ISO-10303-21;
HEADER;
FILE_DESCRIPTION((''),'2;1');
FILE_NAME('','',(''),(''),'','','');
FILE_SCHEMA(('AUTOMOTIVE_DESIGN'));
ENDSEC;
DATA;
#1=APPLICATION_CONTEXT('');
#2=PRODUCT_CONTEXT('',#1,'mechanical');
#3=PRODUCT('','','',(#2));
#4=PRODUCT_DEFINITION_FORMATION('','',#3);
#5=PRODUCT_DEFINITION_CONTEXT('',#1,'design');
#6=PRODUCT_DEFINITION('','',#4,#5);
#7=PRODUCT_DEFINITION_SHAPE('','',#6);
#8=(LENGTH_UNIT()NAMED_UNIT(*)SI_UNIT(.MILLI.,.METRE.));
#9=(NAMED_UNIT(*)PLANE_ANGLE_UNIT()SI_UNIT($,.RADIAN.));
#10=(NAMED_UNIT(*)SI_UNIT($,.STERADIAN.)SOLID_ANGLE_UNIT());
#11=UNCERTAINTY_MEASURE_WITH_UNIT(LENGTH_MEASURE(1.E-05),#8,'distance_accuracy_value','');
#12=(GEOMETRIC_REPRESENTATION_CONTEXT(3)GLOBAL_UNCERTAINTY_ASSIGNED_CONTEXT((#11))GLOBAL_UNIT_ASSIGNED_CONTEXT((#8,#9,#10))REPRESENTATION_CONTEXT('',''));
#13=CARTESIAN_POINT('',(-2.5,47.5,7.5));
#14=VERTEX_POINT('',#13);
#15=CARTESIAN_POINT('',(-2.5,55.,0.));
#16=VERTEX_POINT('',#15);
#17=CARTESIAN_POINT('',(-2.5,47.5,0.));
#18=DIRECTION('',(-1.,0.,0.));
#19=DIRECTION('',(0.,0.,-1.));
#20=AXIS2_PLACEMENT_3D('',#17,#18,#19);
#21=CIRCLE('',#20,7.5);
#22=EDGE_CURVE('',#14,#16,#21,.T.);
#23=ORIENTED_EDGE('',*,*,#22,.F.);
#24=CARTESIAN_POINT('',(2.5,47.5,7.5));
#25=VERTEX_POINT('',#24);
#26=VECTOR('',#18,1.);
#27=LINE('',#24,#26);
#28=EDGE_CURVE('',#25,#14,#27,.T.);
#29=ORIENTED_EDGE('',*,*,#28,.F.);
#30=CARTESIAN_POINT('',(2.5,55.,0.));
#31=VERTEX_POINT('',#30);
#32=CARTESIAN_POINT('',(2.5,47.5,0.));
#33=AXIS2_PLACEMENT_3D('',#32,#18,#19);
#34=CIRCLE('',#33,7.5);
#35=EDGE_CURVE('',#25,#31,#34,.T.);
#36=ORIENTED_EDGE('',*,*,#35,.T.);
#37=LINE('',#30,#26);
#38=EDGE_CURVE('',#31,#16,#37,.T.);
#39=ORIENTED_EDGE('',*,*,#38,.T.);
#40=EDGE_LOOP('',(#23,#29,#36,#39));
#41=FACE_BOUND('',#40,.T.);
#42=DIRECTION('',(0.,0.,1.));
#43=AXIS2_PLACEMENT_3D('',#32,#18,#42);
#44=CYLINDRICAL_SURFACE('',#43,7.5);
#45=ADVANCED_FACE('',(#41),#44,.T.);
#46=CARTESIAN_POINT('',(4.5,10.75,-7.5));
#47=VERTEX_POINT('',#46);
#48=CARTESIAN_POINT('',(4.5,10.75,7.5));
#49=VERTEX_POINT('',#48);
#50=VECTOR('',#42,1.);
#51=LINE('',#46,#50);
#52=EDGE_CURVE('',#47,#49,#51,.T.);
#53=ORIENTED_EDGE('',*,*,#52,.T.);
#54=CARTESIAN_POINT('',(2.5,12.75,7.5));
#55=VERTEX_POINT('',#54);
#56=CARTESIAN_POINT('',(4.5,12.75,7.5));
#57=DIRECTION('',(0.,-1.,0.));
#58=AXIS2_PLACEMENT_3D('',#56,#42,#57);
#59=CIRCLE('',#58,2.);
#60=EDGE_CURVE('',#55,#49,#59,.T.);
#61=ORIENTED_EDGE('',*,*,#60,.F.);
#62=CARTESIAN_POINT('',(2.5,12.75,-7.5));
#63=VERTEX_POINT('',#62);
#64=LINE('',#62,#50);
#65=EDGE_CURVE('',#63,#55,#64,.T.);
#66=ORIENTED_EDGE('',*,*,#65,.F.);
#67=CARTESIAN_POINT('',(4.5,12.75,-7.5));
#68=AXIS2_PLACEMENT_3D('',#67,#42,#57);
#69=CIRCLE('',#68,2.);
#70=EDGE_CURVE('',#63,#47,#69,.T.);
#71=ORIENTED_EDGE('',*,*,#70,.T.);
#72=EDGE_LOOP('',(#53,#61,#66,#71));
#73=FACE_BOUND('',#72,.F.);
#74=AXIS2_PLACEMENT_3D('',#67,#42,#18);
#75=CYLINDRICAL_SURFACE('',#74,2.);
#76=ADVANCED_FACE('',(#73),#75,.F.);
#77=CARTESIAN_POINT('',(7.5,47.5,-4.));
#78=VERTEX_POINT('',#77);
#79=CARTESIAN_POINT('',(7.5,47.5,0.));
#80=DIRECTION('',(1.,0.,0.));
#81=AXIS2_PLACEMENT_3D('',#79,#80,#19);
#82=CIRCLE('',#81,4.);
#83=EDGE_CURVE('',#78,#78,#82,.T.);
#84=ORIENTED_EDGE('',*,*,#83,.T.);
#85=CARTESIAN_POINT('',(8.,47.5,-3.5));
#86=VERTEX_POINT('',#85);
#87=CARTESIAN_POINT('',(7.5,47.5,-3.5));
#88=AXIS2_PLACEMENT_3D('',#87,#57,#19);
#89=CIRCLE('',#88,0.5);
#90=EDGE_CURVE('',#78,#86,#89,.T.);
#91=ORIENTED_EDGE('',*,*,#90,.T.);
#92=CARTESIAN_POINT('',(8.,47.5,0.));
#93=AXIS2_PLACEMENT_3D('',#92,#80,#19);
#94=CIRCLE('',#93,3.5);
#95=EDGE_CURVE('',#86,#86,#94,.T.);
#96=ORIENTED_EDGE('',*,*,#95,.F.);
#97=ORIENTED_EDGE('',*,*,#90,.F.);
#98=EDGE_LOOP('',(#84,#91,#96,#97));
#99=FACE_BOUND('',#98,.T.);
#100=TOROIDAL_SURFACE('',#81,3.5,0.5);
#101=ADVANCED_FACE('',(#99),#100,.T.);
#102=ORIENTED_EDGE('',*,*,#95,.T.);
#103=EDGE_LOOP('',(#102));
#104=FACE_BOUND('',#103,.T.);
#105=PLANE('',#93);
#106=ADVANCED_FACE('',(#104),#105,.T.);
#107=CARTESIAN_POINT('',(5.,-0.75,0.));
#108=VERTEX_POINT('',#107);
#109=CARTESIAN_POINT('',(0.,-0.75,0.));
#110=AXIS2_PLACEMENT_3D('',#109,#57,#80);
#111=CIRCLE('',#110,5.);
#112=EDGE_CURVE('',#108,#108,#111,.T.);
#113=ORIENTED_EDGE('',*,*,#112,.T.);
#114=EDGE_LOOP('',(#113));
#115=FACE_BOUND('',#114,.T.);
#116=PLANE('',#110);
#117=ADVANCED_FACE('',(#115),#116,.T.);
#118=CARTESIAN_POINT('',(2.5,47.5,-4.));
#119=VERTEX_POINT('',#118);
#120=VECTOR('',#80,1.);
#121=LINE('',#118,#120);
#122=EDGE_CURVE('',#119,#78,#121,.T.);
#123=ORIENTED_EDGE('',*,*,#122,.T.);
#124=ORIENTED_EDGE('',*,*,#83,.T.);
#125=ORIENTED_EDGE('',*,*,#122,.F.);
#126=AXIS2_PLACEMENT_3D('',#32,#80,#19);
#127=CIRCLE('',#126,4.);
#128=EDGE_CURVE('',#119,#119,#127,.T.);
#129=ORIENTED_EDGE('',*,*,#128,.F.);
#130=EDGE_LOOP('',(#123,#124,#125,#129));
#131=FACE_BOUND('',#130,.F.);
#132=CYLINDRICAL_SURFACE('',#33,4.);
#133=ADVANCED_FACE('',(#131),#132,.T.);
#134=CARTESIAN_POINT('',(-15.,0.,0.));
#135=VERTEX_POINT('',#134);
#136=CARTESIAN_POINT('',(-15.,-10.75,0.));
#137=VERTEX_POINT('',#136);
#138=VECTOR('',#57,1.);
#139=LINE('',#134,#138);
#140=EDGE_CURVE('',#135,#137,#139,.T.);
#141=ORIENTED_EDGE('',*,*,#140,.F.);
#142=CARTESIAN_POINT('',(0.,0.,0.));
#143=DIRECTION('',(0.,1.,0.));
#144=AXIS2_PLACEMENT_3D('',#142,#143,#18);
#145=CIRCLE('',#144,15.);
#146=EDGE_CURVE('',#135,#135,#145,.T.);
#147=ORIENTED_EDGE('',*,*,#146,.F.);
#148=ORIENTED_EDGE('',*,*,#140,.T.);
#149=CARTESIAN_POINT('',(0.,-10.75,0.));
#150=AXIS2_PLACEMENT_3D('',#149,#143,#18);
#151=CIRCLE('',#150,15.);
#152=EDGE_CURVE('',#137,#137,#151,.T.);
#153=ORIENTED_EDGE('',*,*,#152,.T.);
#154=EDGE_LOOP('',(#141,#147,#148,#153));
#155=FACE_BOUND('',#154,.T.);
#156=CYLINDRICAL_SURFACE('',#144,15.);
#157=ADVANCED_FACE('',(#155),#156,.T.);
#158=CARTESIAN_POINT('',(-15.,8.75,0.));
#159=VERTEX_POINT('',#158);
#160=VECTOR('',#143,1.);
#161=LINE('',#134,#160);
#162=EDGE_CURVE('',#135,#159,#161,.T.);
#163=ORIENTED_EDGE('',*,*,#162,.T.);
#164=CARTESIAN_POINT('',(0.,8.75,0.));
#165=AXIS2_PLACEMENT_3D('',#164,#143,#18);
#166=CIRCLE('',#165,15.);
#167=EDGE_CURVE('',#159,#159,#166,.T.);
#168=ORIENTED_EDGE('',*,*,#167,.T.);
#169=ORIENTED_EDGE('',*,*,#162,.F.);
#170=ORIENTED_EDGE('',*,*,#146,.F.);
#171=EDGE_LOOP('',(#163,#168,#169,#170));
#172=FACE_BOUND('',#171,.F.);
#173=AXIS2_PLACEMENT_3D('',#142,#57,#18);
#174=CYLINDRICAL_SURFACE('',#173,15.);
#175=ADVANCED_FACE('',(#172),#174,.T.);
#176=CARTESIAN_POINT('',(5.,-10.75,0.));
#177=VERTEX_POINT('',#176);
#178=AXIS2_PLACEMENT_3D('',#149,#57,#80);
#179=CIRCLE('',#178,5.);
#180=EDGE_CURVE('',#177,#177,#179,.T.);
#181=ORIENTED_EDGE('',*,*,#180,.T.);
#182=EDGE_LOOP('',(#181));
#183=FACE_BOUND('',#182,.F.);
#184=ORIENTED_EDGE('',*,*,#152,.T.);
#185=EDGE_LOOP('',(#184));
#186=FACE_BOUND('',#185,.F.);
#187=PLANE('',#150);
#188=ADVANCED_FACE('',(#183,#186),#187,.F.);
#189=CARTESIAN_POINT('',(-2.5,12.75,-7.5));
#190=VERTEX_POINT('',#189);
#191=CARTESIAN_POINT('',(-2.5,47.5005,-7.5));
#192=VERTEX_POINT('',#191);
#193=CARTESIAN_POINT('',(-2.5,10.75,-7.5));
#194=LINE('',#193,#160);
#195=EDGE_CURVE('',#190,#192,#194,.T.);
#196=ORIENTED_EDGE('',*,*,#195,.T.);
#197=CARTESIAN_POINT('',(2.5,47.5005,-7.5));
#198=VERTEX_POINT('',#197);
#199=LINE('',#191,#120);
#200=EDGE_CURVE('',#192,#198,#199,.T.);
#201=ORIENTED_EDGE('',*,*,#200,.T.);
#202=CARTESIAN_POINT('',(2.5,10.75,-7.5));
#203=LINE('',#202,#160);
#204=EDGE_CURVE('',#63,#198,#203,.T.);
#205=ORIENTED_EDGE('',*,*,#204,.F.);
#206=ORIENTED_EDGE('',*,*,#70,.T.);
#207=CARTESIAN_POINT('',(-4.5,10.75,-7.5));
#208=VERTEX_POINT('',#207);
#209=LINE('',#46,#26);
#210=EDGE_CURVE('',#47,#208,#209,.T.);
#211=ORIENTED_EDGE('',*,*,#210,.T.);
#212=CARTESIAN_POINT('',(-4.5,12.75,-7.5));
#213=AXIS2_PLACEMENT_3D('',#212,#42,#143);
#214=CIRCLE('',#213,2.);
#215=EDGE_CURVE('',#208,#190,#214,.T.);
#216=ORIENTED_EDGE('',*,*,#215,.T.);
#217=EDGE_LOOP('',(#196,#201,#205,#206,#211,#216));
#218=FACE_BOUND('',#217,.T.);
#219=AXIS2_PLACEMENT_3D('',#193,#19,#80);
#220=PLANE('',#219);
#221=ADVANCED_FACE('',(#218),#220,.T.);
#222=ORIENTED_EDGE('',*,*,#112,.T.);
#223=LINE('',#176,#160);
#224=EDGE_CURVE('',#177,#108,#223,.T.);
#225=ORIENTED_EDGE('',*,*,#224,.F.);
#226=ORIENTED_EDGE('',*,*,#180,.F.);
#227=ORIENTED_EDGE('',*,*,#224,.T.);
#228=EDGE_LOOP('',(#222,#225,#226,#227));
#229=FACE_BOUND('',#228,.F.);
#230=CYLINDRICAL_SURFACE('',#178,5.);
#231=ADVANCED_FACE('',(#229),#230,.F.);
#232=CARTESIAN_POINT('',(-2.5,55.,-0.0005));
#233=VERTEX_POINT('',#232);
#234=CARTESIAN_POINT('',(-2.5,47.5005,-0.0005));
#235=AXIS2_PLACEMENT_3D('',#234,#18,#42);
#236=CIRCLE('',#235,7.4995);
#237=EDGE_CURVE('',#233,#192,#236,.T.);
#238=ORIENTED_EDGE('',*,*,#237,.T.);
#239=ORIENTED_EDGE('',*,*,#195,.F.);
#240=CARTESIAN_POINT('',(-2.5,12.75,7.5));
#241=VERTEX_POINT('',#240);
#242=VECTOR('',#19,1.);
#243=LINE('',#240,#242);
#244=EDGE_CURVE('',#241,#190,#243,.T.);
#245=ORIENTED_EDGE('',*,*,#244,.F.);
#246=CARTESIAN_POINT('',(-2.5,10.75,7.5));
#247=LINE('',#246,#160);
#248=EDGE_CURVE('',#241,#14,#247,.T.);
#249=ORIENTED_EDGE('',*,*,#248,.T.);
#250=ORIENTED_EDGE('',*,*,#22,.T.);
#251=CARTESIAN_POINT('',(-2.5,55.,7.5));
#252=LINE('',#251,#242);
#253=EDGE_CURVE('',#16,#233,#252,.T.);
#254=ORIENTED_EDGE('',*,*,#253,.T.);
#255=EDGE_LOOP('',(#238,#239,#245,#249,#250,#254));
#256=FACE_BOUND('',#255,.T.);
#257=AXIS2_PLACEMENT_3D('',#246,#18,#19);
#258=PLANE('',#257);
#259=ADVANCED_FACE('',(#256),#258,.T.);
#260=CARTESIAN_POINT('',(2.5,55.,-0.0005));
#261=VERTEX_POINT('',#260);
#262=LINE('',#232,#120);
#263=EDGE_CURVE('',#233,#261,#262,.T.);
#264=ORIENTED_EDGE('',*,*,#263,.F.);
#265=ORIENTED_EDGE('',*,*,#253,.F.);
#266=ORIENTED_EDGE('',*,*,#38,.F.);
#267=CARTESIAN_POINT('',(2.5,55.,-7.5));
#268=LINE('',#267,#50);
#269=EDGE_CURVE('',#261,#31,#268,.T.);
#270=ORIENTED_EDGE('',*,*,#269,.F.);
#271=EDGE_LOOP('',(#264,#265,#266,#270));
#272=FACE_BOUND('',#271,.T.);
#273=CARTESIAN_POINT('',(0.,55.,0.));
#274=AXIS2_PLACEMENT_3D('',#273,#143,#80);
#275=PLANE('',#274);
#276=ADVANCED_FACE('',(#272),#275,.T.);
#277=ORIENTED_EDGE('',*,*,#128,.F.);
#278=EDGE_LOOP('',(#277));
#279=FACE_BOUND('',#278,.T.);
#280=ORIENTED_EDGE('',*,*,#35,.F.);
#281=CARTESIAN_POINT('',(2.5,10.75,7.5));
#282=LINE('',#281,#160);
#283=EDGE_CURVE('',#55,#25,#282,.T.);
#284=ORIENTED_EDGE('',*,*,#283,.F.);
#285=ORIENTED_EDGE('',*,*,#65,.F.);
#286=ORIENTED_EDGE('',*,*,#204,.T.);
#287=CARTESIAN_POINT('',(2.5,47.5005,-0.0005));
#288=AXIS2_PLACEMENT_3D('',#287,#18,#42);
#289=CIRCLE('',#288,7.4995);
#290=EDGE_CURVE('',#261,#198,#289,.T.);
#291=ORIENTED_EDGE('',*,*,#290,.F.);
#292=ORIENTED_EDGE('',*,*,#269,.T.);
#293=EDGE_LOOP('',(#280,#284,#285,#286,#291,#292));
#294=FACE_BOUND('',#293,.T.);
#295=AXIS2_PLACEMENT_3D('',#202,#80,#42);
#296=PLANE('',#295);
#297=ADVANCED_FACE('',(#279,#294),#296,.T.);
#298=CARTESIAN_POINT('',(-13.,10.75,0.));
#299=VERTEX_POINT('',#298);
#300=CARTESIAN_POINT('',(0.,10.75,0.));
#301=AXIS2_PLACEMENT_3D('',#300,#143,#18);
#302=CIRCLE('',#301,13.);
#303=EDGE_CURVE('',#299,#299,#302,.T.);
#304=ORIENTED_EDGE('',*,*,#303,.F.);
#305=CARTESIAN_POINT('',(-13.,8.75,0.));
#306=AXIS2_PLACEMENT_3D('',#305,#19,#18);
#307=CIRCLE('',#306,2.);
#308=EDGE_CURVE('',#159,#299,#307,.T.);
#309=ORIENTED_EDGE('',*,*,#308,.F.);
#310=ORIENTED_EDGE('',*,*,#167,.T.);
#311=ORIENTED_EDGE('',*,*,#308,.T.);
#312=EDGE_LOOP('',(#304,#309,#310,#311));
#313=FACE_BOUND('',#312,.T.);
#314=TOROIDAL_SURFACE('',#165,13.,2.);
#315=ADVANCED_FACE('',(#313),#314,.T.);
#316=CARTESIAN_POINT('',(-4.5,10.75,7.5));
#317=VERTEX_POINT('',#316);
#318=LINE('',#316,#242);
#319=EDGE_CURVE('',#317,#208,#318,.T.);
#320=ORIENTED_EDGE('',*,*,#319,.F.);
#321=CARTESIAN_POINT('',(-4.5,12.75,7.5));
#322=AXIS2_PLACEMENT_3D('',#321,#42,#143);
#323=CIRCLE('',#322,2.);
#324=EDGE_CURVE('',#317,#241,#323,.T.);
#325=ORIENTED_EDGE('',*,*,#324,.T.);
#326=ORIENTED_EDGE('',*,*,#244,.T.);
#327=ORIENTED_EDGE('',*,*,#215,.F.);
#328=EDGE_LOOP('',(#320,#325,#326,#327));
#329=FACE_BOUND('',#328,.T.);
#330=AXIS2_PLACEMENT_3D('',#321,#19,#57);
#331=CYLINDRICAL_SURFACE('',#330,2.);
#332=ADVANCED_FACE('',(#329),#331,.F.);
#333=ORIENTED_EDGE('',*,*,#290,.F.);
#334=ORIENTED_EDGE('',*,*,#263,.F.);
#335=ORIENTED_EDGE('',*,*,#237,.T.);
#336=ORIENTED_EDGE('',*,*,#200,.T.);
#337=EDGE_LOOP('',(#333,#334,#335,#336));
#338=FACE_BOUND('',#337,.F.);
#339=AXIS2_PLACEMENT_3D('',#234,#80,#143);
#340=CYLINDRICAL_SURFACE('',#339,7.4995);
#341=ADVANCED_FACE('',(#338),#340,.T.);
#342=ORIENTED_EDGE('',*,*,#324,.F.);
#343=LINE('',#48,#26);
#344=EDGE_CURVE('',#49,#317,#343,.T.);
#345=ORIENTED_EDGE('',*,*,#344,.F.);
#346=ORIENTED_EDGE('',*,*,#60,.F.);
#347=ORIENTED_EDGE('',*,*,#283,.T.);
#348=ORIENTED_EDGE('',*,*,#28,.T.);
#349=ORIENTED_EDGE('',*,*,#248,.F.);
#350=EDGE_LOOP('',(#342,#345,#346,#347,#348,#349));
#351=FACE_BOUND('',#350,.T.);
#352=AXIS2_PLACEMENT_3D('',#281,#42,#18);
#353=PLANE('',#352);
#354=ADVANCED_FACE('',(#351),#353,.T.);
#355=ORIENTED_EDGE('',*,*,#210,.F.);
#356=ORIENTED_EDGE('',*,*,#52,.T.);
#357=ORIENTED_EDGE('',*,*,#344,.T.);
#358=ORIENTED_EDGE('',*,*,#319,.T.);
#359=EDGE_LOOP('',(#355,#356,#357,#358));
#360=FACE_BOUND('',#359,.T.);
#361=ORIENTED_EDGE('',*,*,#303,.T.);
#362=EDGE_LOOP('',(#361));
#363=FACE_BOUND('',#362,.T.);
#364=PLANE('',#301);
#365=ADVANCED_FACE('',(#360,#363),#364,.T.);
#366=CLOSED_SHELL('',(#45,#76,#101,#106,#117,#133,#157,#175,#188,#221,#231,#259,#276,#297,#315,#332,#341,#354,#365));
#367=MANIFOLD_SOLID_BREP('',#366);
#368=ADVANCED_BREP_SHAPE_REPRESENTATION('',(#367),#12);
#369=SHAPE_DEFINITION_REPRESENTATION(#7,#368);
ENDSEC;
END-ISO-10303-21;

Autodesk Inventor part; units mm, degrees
ref_plane "YZ Plane" through (0, 0, 0) normal (1, 0, 0) x (0, 1, 0)
ref_plane "XZ Plane" through (0, 0, 0) normal (0, 1, 0) x (-1, 0, 0)
ref_plane "XY Plane" through (0, 0, 0) normal (0, 0, 1) x (1, 0, 0)
sketch "Esboço1" plane through (0, 0, 0) normal (0, 1, 0) x (-1, 0, 0)
  circle A0 centre (0, 0) radius 15
  dimension "d0" = 30
extrude "Extrusão1" add sketch "Esboço1" along normal mid plane 21.5
fillet "Arredondamento1" radius 2 1 edges at (15, 10.75, 0)
sketch "Esboço2" plane through (0, -10.75, 0) normal (0, -1, 0) x (1, 0, 0)
  circle A0 centre (0, 0) radius 5
  dimension "d4" = 10
extrude "Extrusão2" cut sketch "Esboço2" against normal blind 10
sketch "Esboço3" plane through (0, 10.75, 0) normal (0, 1, 0) x (1, 0, 0)
  line L0 (2.5, -7.5) -> (-2.5, -7.5)
  line L1 (-2.5, -7.5) -> (-2.5, 7.5)
  line L2 (-2.5, 7.5) -> (2.5, 7.5)
  line L3 (2.5, 7.5) -> (2.5, -7.5)
  line L4 (2.5, -7.5) -> (-2.5, 7.5) construction
  line L5 (-2.5, -7.5) -> (2.5, 7.5) construction
  point P0 (0, 0)
  dimension "d7" = 5
  dimension "d8" = 15
extrude "Extrusão3" add sketch "Esboço3" along normal blind 44.25
fillet "Arredondamento2" radius 7.5 1 edges at (0, 55, 7.5)
fillet "Arredondamento3" radius 7.5 1 edges at (0, 55, -7.5)
fillet "Arredondamento4" radius 2 1 edges at (2.5, 10.75, 0)
fillet "Arredondamento5" radius 2 1 edges at (-2.5, 10.75, 0)
sketch "Esboço4" plane through (2.5, 47.5, 0) normal (1, 0, 0) x (0, 0, -1)
  line L0 (-7.5, -34.75) -> (-7.5, 0) projected
  line L1 (7.5, -34.75) -> (7.5, 0) projected
  line L2 (-7.5, 0) -> (7.5, 0) construction
  circle A0 centre (0, 0) radius 4
  point P0 (0, -47.5)
  dimension "d15" = 8
extrude "Extrusão4" add sketch "Esboço4" along normal blind 5.5
fillet "Arredondamento6" radius 0.5 1 edges at (8, 47.5, 4)
properties part number "Corpo do robo"
